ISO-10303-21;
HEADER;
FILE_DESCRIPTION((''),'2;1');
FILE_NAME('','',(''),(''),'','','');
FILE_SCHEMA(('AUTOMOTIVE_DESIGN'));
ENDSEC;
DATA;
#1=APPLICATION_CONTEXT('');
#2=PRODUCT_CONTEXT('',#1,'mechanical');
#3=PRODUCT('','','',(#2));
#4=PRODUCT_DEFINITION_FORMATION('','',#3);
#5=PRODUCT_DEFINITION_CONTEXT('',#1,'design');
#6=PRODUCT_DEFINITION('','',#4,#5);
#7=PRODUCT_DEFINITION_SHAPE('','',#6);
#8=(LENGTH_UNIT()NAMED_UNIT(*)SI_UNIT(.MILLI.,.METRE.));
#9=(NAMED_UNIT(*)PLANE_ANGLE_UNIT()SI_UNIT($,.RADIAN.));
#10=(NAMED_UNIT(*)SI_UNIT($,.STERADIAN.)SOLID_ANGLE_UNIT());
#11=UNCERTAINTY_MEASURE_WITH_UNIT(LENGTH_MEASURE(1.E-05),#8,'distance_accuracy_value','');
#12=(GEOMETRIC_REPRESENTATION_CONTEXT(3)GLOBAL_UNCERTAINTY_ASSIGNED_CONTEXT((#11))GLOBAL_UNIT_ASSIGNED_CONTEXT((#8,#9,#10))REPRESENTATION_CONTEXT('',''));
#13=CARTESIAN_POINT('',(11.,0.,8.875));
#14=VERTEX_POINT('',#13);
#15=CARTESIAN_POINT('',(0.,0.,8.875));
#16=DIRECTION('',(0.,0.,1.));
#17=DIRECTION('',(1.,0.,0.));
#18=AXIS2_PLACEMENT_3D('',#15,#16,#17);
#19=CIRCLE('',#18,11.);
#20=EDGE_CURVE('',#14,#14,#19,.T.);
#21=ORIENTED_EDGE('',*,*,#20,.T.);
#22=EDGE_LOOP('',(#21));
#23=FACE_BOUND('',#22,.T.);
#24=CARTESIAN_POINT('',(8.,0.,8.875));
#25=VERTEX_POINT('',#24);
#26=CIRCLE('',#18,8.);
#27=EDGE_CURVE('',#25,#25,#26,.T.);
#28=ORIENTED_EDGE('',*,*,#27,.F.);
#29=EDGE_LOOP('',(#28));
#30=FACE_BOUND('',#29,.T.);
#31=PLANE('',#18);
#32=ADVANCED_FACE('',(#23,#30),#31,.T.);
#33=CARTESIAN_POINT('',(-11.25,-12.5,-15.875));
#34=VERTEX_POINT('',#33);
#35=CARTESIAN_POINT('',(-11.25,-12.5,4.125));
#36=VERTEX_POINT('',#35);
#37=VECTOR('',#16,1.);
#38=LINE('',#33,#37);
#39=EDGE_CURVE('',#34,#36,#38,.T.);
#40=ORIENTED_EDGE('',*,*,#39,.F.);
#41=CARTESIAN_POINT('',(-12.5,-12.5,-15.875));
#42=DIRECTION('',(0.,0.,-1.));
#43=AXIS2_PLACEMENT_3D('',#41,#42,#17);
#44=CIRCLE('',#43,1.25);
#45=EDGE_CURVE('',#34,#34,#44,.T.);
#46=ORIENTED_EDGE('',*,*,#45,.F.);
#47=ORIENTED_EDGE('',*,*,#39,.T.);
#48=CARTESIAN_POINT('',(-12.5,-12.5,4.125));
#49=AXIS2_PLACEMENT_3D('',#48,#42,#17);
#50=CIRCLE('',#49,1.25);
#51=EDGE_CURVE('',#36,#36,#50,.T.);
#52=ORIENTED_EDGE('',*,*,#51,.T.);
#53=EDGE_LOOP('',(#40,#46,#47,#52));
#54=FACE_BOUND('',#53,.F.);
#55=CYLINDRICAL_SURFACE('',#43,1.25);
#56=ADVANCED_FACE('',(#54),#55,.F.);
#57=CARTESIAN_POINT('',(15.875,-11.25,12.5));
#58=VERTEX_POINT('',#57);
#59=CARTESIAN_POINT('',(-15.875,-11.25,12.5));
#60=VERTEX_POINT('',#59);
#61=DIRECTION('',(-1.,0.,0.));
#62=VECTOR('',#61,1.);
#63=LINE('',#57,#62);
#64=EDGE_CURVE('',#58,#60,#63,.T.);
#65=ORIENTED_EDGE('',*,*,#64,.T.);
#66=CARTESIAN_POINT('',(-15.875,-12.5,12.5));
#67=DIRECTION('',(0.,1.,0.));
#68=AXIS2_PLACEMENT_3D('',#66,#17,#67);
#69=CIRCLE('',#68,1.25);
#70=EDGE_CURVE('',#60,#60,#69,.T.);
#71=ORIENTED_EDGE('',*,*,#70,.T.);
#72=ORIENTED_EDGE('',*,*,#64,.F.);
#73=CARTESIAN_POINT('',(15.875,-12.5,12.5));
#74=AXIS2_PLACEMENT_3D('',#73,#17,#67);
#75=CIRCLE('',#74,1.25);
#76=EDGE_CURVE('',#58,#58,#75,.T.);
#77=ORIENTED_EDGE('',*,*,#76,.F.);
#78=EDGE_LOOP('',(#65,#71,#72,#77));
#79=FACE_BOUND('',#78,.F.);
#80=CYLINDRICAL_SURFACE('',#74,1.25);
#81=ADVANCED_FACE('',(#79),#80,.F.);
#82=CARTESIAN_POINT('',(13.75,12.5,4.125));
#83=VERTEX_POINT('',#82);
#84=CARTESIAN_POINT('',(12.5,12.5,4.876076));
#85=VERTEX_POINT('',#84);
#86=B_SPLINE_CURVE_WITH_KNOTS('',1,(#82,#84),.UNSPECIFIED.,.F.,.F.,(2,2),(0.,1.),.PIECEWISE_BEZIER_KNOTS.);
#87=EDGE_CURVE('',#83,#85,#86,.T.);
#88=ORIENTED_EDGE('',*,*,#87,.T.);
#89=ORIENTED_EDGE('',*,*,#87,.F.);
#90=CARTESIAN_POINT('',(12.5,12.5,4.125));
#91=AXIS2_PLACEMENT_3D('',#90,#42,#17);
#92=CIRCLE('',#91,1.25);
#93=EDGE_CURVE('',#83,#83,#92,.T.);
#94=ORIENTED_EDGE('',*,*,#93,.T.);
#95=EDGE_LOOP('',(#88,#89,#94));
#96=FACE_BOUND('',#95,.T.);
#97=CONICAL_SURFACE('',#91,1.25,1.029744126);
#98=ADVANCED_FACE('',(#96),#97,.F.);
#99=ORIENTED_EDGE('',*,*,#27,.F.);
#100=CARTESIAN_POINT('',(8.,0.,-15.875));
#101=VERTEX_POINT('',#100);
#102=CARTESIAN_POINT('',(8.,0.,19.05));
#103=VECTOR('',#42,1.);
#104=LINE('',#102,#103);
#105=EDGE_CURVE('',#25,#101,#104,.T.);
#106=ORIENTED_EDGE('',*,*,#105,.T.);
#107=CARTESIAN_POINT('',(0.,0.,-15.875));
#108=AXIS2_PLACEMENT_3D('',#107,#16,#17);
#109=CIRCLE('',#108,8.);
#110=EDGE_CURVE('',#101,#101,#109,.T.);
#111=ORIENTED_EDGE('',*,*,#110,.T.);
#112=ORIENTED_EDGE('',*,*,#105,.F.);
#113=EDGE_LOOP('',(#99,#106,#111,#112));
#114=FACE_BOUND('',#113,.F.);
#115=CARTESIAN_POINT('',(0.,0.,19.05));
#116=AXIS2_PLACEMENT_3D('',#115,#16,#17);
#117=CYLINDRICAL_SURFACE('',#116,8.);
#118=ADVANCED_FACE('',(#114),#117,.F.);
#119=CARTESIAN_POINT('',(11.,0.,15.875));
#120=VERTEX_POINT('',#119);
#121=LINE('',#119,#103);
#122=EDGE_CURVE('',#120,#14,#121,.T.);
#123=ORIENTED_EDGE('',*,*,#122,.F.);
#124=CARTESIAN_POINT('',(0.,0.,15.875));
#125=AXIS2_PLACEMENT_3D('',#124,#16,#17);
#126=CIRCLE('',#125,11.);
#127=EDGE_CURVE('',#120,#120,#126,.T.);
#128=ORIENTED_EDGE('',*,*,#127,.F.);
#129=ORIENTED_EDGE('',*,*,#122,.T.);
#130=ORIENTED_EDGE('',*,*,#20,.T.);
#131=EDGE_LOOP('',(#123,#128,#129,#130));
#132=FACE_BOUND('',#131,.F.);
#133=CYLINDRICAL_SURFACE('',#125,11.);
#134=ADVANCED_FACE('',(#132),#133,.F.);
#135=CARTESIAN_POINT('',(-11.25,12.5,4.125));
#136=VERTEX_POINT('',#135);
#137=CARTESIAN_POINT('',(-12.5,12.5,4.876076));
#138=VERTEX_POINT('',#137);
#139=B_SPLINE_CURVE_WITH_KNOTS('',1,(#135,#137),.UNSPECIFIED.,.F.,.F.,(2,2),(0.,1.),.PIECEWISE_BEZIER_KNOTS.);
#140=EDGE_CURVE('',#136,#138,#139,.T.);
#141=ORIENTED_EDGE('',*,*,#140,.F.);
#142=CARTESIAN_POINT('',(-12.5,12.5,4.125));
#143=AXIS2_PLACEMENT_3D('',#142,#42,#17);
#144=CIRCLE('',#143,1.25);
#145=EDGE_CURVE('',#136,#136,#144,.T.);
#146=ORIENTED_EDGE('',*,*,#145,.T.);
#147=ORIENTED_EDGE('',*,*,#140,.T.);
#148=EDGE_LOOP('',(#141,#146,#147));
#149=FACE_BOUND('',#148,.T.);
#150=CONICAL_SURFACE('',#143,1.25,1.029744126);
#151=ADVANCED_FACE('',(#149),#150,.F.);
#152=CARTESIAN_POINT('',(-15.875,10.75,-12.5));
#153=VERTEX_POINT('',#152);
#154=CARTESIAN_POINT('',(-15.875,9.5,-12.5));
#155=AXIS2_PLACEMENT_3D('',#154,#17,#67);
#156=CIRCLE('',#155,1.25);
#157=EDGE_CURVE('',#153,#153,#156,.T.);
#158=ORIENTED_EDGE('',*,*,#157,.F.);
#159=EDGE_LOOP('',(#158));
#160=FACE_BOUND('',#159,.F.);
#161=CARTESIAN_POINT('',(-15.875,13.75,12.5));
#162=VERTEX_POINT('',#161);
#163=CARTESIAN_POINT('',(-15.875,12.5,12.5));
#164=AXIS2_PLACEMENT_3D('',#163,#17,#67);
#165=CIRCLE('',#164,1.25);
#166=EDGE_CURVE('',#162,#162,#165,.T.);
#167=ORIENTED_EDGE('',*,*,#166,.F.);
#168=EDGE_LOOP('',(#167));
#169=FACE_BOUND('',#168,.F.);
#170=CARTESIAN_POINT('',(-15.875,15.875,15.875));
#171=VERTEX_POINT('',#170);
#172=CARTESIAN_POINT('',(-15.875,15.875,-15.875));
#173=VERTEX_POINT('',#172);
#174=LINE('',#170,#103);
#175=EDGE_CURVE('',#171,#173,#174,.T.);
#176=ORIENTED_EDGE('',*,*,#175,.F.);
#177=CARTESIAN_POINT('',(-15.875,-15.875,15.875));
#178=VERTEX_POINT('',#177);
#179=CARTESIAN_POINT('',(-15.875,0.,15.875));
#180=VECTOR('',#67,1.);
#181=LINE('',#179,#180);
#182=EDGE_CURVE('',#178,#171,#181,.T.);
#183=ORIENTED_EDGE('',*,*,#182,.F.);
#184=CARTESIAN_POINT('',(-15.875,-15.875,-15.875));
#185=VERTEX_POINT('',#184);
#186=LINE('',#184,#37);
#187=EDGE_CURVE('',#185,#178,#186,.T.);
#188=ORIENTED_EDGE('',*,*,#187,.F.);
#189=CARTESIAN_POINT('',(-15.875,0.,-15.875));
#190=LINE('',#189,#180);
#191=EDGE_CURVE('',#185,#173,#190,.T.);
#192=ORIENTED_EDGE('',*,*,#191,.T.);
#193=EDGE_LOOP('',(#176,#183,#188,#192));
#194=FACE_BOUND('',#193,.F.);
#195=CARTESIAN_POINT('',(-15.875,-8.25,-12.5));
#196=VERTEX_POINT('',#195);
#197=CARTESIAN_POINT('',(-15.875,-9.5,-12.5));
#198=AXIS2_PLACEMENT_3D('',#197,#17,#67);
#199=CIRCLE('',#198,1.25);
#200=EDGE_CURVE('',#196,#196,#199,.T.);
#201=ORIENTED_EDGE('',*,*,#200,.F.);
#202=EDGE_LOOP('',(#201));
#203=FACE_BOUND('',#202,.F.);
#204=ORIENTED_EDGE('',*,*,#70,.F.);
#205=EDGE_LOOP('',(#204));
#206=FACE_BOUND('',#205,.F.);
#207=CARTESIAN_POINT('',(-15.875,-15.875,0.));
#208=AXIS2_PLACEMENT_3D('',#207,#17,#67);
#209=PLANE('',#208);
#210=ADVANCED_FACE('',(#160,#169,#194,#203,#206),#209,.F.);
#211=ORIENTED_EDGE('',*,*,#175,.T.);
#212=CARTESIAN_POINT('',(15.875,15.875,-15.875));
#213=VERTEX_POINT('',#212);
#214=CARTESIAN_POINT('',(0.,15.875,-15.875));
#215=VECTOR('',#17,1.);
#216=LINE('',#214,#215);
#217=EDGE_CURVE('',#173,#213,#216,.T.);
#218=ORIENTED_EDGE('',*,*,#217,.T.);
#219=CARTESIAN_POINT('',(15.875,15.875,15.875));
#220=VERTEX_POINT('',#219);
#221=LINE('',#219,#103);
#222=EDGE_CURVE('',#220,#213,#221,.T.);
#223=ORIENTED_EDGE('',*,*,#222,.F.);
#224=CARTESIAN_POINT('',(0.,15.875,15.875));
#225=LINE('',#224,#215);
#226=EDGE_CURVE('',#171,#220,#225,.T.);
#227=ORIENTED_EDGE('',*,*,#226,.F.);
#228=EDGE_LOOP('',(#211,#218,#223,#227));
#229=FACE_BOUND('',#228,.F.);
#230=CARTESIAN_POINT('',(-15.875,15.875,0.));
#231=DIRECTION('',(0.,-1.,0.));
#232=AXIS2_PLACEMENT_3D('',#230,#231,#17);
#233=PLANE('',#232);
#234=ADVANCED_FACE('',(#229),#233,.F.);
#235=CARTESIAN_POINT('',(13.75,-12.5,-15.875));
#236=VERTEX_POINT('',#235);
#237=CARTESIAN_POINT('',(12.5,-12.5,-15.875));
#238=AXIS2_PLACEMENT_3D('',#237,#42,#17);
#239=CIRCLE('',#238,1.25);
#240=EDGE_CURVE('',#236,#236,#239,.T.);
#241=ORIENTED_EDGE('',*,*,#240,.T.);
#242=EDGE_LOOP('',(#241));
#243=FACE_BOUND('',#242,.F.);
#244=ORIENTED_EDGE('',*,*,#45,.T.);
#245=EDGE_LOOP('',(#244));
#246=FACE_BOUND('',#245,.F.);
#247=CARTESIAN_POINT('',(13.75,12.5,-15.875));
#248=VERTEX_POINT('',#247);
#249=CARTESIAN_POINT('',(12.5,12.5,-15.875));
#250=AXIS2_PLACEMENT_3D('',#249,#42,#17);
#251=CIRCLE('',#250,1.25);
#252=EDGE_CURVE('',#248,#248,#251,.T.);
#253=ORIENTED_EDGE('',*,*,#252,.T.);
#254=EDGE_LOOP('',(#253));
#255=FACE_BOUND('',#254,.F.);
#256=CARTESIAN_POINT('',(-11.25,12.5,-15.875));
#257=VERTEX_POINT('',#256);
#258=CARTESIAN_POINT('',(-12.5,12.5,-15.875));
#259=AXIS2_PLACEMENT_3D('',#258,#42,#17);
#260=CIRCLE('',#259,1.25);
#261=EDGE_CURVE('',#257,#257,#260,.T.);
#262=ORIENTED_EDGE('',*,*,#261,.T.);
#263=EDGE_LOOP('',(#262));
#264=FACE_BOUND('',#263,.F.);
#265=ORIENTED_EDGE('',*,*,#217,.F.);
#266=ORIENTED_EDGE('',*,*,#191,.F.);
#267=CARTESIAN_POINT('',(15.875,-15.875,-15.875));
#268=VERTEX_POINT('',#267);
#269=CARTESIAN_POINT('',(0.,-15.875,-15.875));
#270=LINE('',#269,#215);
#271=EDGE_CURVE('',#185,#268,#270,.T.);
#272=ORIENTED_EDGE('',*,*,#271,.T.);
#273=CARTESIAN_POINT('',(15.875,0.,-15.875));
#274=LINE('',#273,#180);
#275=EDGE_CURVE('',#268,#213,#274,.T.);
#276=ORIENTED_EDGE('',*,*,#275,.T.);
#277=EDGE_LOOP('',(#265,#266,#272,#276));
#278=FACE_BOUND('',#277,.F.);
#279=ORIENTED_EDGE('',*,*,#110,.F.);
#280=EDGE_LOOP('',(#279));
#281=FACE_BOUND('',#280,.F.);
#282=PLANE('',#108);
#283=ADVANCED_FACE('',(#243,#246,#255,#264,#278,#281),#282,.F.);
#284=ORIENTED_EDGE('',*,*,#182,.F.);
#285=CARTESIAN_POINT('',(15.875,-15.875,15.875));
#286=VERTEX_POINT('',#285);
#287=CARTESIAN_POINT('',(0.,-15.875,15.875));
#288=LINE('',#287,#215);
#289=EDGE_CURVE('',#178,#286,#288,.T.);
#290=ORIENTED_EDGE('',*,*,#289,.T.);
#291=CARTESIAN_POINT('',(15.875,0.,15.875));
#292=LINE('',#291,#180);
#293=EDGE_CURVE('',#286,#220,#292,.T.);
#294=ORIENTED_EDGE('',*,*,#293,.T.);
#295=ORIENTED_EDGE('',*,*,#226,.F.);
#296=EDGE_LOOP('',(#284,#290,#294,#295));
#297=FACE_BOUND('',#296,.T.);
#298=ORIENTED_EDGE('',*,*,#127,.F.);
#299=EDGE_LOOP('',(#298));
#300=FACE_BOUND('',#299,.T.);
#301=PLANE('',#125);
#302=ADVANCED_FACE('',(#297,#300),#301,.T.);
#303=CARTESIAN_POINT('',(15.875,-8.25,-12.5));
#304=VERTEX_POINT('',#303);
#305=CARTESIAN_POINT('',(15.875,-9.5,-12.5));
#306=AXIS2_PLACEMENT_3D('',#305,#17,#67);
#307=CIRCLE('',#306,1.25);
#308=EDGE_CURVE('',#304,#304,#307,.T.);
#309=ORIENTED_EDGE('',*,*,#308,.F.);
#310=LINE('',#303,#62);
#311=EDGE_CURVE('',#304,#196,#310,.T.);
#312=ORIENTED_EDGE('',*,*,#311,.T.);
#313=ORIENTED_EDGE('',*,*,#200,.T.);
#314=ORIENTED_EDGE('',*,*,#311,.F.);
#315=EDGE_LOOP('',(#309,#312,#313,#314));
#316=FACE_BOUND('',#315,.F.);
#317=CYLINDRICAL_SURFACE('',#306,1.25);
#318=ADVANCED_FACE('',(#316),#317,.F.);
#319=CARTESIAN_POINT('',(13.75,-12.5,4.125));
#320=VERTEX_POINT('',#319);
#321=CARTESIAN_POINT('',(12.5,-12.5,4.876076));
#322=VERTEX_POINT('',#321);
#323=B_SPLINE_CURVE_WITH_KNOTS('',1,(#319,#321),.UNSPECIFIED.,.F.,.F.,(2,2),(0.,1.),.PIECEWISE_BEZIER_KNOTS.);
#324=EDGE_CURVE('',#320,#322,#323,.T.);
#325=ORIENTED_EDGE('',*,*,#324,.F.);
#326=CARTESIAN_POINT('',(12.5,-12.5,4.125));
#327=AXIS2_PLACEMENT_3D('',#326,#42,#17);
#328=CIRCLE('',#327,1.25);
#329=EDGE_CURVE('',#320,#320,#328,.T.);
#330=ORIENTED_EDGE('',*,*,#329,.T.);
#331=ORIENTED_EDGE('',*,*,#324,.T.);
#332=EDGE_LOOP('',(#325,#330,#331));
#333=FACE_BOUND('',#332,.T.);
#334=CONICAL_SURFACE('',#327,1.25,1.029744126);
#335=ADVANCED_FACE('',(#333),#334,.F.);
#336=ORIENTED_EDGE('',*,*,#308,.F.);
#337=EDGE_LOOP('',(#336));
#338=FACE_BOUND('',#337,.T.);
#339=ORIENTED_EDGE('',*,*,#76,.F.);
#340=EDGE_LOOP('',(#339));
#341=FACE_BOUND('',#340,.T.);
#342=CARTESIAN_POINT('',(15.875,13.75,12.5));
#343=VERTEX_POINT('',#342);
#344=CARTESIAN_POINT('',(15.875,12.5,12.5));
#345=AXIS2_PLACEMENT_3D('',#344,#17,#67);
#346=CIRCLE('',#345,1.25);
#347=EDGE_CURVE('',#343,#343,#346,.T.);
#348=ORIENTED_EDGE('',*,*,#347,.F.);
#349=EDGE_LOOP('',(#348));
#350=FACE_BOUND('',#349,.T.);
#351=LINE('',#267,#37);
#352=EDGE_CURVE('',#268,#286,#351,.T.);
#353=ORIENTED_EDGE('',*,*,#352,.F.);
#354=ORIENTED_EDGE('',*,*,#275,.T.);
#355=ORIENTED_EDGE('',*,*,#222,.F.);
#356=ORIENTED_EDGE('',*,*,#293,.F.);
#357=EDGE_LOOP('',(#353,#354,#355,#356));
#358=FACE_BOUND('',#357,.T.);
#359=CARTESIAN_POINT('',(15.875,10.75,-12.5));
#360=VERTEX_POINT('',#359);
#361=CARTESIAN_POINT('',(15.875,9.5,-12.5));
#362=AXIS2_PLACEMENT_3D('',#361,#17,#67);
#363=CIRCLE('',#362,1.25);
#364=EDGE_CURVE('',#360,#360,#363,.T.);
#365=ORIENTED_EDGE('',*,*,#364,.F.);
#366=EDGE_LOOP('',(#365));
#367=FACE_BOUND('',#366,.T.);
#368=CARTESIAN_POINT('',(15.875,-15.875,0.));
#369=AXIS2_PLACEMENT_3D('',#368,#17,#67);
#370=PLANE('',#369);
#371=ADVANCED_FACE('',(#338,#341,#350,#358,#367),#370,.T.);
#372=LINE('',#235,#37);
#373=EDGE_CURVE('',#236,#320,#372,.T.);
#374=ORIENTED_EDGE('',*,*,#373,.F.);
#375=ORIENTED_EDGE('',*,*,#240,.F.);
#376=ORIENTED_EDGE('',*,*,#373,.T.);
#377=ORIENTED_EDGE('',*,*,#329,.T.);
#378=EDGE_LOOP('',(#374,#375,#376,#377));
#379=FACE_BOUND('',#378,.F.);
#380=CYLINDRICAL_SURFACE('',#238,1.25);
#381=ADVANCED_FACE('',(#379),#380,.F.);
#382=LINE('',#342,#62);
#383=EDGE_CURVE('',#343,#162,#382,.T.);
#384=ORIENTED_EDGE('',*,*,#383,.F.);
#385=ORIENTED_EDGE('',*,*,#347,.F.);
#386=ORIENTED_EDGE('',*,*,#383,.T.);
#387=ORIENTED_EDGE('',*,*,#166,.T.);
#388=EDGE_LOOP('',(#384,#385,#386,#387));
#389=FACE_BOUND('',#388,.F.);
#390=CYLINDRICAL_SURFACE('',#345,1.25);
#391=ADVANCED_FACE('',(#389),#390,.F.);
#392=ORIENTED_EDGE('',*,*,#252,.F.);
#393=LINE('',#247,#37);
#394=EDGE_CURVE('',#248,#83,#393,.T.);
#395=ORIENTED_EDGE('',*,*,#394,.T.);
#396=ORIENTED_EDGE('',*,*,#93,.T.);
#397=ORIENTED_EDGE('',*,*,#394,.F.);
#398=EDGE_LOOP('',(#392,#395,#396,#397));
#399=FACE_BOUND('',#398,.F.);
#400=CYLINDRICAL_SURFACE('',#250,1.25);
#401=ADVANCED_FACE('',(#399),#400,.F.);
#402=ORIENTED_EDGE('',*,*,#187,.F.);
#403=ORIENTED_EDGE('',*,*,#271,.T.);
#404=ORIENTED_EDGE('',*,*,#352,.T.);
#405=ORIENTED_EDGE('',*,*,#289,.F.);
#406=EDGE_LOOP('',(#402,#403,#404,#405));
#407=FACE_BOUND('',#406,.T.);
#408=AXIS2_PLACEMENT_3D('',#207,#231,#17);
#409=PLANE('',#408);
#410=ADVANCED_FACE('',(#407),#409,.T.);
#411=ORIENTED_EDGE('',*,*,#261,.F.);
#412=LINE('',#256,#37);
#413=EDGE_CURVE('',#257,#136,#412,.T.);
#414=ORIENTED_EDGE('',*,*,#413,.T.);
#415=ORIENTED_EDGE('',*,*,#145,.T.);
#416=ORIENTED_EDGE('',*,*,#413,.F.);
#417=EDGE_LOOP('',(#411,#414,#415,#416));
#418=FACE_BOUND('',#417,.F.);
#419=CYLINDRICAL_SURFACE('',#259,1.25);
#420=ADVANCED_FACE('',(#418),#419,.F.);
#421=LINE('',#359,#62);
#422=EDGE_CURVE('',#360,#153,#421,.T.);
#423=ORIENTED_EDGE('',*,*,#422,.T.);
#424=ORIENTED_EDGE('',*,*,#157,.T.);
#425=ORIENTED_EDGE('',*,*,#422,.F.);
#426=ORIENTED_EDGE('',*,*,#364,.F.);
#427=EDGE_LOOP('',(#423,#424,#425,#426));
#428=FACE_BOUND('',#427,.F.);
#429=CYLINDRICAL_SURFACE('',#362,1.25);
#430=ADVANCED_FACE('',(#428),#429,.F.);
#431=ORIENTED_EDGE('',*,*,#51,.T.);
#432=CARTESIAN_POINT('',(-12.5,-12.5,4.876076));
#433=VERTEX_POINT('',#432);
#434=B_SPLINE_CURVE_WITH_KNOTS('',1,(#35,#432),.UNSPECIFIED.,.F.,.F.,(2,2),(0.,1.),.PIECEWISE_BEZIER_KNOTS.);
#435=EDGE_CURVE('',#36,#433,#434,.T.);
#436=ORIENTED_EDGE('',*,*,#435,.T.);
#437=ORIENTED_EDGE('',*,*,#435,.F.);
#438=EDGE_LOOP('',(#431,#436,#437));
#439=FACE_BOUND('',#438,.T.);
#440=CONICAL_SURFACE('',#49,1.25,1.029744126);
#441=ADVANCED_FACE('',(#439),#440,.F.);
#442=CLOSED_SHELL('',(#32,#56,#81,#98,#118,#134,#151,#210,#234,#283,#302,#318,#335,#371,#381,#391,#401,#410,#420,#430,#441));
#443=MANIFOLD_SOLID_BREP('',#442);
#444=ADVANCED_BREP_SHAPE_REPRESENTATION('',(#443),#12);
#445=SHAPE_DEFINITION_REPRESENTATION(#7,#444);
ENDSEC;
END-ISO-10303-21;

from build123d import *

# Parameters (mm, degrees)
SKETCH_W        = 31.75
SKETCH_H        = 31.75
PAD_DEPTH       = 15.875
SKETCH001_R     = 11
POCKET_DEPTH    = 7
SKETCH002_R     = 8
POCKET001_DEPTH = 34.926
SKETCH003_R     = 1.25
HOLE_DEPTH      = 31.751
SKETCH004_R     = 1.25
HOLE001_DEPTH   = 20
HOLE001_TIPS_R  = 1.25


with BuildPart() as part:
    # Sketch → Pad (new body, symmetric)
    with BuildSketch(Plane.XY):
        Rectangle(SKETCH_W, SKETCH_H)
    extrude(amount=PAD_DEPTH, both=True)

    # Sketch001 (on Face6 of Pad) → Pocket (cut)
    with BuildSketch(Plane.XY.offset(15.875)):
        Circle(SKETCH001_R)
    extrude(amount=-POCKET_DEPTH, mode=Mode.SUBTRACT)

    # Sketch002 → Pocket001 (cut, through all)
    with BuildSketch(Plane.XY.offset(19.05)):
        Circle(SKETCH002_R)
    extrude(amount=-POCKET001_DEPTH, mode=Mode.SUBTRACT)

    # Sketch003 (on Face6 of Pocket001) → Hole (cut, through all)
    with BuildSketch(Plane.YZ.offset(15.875)):
        with Locations((-12.5, 12.5)):
            Circle(SKETCH003_R)
        with Locations((12.5, 12.5)):
            Circle(SKETCH003_R)
        with Locations((9.5, -12.5)):
            Circle(SKETCH003_R)
        with Locations((-9.5, -12.5)):
            Circle(SKETCH003_R)
    extrude(amount=-HOLE_DEPTH, mode=Mode.SUBTRACT)

    # Sketch004 (on Face4 of Pocket001) → Hole001 (cut)
    with BuildSketch(Plane(origin=(0, 0, -15.875), x_dir=(1, 0, 0), z_dir=(0, 0, -1))):
        with Locations((-12.5, 12.5)):
            Circle(SKETCH004_R)
        with Locations((12.5, 12.5)):
            Circle(SKETCH004_R)
        with Locations((12.5, -12.5)):
            Circle(SKETCH004_R)
        with Locations((-12.5, -12.5)):
            Circle(SKETCH004_R)
    extrude(amount=-HOLE001_DEPTH, mode=Mode.SUBTRACT)

    # Hole001 tips → Hole001 tip 1 section 0
    with BuildSketch(Plane(origin=(0, 0, 4.125), x_dir=(1, 0, 0), z_dir=(0, 0, -1)), mode=Mode.PRIVATE) as hole001_tip_1_s0:
        with Locations((-12.5, 12.5)):
            Circle(HOLE001_TIPS_R)
    loft([hole001_tip_1_s0.sketch, Vertex(-12.5, -12.5, 4.876076)], mode=Mode.SUBTRACT)

    # Hole001 tips → Hole001 tip 2 section 0
    with BuildSketch(Plane(origin=(0, 0, 4.125), x_dir=(1, 0, 0), z_dir=(0, 0, -1)), mode=Mode.PRIVATE) as hole001_tip_2_s0:
        with Locations((12.5, 12.5)):
            Circle(HOLE001_TIPS_R)
    loft([hole001_tip_2_s0.sketch, Vertex(12.5, -12.5, 4.876076)], mode=Mode.SUBTRACT)

    # Hole001 tips → Hole001 tip 3 section 0
    with BuildSketch(Plane(origin=(0, 0, 4.125), x_dir=(1, 0, 0), z_dir=(0, 0, -1)), mode=Mode.PRIVATE) as hole001_tip_3_s0:
        with Locations((12.5, -12.5)):
            Circle(HOLE001_TIPS_R)
    loft([hole001_tip_3_s0.sketch, Vertex(12.5, 12.5, 4.876076)], mode=Mode.SUBTRACT)

    # Hole001 tips → Hole001 tip 4 section 0
    with BuildSketch(Plane(origin=(0, 0, 4.125), x_dir=(1, 0, 0), z_dir=(0, 0, -1)), mode=Mode.PRIVATE) as hole001_tip_4_s0:
        with Locations((-12.5, -12.5)):
            Circle(HOLE001_TIPS_R)
    loft([hole001_tip_4_s0.sketch, Vertex(-12.5, 12.5, 4.876076)], mode=Mode.SUBTRACT)


solid = part.part
